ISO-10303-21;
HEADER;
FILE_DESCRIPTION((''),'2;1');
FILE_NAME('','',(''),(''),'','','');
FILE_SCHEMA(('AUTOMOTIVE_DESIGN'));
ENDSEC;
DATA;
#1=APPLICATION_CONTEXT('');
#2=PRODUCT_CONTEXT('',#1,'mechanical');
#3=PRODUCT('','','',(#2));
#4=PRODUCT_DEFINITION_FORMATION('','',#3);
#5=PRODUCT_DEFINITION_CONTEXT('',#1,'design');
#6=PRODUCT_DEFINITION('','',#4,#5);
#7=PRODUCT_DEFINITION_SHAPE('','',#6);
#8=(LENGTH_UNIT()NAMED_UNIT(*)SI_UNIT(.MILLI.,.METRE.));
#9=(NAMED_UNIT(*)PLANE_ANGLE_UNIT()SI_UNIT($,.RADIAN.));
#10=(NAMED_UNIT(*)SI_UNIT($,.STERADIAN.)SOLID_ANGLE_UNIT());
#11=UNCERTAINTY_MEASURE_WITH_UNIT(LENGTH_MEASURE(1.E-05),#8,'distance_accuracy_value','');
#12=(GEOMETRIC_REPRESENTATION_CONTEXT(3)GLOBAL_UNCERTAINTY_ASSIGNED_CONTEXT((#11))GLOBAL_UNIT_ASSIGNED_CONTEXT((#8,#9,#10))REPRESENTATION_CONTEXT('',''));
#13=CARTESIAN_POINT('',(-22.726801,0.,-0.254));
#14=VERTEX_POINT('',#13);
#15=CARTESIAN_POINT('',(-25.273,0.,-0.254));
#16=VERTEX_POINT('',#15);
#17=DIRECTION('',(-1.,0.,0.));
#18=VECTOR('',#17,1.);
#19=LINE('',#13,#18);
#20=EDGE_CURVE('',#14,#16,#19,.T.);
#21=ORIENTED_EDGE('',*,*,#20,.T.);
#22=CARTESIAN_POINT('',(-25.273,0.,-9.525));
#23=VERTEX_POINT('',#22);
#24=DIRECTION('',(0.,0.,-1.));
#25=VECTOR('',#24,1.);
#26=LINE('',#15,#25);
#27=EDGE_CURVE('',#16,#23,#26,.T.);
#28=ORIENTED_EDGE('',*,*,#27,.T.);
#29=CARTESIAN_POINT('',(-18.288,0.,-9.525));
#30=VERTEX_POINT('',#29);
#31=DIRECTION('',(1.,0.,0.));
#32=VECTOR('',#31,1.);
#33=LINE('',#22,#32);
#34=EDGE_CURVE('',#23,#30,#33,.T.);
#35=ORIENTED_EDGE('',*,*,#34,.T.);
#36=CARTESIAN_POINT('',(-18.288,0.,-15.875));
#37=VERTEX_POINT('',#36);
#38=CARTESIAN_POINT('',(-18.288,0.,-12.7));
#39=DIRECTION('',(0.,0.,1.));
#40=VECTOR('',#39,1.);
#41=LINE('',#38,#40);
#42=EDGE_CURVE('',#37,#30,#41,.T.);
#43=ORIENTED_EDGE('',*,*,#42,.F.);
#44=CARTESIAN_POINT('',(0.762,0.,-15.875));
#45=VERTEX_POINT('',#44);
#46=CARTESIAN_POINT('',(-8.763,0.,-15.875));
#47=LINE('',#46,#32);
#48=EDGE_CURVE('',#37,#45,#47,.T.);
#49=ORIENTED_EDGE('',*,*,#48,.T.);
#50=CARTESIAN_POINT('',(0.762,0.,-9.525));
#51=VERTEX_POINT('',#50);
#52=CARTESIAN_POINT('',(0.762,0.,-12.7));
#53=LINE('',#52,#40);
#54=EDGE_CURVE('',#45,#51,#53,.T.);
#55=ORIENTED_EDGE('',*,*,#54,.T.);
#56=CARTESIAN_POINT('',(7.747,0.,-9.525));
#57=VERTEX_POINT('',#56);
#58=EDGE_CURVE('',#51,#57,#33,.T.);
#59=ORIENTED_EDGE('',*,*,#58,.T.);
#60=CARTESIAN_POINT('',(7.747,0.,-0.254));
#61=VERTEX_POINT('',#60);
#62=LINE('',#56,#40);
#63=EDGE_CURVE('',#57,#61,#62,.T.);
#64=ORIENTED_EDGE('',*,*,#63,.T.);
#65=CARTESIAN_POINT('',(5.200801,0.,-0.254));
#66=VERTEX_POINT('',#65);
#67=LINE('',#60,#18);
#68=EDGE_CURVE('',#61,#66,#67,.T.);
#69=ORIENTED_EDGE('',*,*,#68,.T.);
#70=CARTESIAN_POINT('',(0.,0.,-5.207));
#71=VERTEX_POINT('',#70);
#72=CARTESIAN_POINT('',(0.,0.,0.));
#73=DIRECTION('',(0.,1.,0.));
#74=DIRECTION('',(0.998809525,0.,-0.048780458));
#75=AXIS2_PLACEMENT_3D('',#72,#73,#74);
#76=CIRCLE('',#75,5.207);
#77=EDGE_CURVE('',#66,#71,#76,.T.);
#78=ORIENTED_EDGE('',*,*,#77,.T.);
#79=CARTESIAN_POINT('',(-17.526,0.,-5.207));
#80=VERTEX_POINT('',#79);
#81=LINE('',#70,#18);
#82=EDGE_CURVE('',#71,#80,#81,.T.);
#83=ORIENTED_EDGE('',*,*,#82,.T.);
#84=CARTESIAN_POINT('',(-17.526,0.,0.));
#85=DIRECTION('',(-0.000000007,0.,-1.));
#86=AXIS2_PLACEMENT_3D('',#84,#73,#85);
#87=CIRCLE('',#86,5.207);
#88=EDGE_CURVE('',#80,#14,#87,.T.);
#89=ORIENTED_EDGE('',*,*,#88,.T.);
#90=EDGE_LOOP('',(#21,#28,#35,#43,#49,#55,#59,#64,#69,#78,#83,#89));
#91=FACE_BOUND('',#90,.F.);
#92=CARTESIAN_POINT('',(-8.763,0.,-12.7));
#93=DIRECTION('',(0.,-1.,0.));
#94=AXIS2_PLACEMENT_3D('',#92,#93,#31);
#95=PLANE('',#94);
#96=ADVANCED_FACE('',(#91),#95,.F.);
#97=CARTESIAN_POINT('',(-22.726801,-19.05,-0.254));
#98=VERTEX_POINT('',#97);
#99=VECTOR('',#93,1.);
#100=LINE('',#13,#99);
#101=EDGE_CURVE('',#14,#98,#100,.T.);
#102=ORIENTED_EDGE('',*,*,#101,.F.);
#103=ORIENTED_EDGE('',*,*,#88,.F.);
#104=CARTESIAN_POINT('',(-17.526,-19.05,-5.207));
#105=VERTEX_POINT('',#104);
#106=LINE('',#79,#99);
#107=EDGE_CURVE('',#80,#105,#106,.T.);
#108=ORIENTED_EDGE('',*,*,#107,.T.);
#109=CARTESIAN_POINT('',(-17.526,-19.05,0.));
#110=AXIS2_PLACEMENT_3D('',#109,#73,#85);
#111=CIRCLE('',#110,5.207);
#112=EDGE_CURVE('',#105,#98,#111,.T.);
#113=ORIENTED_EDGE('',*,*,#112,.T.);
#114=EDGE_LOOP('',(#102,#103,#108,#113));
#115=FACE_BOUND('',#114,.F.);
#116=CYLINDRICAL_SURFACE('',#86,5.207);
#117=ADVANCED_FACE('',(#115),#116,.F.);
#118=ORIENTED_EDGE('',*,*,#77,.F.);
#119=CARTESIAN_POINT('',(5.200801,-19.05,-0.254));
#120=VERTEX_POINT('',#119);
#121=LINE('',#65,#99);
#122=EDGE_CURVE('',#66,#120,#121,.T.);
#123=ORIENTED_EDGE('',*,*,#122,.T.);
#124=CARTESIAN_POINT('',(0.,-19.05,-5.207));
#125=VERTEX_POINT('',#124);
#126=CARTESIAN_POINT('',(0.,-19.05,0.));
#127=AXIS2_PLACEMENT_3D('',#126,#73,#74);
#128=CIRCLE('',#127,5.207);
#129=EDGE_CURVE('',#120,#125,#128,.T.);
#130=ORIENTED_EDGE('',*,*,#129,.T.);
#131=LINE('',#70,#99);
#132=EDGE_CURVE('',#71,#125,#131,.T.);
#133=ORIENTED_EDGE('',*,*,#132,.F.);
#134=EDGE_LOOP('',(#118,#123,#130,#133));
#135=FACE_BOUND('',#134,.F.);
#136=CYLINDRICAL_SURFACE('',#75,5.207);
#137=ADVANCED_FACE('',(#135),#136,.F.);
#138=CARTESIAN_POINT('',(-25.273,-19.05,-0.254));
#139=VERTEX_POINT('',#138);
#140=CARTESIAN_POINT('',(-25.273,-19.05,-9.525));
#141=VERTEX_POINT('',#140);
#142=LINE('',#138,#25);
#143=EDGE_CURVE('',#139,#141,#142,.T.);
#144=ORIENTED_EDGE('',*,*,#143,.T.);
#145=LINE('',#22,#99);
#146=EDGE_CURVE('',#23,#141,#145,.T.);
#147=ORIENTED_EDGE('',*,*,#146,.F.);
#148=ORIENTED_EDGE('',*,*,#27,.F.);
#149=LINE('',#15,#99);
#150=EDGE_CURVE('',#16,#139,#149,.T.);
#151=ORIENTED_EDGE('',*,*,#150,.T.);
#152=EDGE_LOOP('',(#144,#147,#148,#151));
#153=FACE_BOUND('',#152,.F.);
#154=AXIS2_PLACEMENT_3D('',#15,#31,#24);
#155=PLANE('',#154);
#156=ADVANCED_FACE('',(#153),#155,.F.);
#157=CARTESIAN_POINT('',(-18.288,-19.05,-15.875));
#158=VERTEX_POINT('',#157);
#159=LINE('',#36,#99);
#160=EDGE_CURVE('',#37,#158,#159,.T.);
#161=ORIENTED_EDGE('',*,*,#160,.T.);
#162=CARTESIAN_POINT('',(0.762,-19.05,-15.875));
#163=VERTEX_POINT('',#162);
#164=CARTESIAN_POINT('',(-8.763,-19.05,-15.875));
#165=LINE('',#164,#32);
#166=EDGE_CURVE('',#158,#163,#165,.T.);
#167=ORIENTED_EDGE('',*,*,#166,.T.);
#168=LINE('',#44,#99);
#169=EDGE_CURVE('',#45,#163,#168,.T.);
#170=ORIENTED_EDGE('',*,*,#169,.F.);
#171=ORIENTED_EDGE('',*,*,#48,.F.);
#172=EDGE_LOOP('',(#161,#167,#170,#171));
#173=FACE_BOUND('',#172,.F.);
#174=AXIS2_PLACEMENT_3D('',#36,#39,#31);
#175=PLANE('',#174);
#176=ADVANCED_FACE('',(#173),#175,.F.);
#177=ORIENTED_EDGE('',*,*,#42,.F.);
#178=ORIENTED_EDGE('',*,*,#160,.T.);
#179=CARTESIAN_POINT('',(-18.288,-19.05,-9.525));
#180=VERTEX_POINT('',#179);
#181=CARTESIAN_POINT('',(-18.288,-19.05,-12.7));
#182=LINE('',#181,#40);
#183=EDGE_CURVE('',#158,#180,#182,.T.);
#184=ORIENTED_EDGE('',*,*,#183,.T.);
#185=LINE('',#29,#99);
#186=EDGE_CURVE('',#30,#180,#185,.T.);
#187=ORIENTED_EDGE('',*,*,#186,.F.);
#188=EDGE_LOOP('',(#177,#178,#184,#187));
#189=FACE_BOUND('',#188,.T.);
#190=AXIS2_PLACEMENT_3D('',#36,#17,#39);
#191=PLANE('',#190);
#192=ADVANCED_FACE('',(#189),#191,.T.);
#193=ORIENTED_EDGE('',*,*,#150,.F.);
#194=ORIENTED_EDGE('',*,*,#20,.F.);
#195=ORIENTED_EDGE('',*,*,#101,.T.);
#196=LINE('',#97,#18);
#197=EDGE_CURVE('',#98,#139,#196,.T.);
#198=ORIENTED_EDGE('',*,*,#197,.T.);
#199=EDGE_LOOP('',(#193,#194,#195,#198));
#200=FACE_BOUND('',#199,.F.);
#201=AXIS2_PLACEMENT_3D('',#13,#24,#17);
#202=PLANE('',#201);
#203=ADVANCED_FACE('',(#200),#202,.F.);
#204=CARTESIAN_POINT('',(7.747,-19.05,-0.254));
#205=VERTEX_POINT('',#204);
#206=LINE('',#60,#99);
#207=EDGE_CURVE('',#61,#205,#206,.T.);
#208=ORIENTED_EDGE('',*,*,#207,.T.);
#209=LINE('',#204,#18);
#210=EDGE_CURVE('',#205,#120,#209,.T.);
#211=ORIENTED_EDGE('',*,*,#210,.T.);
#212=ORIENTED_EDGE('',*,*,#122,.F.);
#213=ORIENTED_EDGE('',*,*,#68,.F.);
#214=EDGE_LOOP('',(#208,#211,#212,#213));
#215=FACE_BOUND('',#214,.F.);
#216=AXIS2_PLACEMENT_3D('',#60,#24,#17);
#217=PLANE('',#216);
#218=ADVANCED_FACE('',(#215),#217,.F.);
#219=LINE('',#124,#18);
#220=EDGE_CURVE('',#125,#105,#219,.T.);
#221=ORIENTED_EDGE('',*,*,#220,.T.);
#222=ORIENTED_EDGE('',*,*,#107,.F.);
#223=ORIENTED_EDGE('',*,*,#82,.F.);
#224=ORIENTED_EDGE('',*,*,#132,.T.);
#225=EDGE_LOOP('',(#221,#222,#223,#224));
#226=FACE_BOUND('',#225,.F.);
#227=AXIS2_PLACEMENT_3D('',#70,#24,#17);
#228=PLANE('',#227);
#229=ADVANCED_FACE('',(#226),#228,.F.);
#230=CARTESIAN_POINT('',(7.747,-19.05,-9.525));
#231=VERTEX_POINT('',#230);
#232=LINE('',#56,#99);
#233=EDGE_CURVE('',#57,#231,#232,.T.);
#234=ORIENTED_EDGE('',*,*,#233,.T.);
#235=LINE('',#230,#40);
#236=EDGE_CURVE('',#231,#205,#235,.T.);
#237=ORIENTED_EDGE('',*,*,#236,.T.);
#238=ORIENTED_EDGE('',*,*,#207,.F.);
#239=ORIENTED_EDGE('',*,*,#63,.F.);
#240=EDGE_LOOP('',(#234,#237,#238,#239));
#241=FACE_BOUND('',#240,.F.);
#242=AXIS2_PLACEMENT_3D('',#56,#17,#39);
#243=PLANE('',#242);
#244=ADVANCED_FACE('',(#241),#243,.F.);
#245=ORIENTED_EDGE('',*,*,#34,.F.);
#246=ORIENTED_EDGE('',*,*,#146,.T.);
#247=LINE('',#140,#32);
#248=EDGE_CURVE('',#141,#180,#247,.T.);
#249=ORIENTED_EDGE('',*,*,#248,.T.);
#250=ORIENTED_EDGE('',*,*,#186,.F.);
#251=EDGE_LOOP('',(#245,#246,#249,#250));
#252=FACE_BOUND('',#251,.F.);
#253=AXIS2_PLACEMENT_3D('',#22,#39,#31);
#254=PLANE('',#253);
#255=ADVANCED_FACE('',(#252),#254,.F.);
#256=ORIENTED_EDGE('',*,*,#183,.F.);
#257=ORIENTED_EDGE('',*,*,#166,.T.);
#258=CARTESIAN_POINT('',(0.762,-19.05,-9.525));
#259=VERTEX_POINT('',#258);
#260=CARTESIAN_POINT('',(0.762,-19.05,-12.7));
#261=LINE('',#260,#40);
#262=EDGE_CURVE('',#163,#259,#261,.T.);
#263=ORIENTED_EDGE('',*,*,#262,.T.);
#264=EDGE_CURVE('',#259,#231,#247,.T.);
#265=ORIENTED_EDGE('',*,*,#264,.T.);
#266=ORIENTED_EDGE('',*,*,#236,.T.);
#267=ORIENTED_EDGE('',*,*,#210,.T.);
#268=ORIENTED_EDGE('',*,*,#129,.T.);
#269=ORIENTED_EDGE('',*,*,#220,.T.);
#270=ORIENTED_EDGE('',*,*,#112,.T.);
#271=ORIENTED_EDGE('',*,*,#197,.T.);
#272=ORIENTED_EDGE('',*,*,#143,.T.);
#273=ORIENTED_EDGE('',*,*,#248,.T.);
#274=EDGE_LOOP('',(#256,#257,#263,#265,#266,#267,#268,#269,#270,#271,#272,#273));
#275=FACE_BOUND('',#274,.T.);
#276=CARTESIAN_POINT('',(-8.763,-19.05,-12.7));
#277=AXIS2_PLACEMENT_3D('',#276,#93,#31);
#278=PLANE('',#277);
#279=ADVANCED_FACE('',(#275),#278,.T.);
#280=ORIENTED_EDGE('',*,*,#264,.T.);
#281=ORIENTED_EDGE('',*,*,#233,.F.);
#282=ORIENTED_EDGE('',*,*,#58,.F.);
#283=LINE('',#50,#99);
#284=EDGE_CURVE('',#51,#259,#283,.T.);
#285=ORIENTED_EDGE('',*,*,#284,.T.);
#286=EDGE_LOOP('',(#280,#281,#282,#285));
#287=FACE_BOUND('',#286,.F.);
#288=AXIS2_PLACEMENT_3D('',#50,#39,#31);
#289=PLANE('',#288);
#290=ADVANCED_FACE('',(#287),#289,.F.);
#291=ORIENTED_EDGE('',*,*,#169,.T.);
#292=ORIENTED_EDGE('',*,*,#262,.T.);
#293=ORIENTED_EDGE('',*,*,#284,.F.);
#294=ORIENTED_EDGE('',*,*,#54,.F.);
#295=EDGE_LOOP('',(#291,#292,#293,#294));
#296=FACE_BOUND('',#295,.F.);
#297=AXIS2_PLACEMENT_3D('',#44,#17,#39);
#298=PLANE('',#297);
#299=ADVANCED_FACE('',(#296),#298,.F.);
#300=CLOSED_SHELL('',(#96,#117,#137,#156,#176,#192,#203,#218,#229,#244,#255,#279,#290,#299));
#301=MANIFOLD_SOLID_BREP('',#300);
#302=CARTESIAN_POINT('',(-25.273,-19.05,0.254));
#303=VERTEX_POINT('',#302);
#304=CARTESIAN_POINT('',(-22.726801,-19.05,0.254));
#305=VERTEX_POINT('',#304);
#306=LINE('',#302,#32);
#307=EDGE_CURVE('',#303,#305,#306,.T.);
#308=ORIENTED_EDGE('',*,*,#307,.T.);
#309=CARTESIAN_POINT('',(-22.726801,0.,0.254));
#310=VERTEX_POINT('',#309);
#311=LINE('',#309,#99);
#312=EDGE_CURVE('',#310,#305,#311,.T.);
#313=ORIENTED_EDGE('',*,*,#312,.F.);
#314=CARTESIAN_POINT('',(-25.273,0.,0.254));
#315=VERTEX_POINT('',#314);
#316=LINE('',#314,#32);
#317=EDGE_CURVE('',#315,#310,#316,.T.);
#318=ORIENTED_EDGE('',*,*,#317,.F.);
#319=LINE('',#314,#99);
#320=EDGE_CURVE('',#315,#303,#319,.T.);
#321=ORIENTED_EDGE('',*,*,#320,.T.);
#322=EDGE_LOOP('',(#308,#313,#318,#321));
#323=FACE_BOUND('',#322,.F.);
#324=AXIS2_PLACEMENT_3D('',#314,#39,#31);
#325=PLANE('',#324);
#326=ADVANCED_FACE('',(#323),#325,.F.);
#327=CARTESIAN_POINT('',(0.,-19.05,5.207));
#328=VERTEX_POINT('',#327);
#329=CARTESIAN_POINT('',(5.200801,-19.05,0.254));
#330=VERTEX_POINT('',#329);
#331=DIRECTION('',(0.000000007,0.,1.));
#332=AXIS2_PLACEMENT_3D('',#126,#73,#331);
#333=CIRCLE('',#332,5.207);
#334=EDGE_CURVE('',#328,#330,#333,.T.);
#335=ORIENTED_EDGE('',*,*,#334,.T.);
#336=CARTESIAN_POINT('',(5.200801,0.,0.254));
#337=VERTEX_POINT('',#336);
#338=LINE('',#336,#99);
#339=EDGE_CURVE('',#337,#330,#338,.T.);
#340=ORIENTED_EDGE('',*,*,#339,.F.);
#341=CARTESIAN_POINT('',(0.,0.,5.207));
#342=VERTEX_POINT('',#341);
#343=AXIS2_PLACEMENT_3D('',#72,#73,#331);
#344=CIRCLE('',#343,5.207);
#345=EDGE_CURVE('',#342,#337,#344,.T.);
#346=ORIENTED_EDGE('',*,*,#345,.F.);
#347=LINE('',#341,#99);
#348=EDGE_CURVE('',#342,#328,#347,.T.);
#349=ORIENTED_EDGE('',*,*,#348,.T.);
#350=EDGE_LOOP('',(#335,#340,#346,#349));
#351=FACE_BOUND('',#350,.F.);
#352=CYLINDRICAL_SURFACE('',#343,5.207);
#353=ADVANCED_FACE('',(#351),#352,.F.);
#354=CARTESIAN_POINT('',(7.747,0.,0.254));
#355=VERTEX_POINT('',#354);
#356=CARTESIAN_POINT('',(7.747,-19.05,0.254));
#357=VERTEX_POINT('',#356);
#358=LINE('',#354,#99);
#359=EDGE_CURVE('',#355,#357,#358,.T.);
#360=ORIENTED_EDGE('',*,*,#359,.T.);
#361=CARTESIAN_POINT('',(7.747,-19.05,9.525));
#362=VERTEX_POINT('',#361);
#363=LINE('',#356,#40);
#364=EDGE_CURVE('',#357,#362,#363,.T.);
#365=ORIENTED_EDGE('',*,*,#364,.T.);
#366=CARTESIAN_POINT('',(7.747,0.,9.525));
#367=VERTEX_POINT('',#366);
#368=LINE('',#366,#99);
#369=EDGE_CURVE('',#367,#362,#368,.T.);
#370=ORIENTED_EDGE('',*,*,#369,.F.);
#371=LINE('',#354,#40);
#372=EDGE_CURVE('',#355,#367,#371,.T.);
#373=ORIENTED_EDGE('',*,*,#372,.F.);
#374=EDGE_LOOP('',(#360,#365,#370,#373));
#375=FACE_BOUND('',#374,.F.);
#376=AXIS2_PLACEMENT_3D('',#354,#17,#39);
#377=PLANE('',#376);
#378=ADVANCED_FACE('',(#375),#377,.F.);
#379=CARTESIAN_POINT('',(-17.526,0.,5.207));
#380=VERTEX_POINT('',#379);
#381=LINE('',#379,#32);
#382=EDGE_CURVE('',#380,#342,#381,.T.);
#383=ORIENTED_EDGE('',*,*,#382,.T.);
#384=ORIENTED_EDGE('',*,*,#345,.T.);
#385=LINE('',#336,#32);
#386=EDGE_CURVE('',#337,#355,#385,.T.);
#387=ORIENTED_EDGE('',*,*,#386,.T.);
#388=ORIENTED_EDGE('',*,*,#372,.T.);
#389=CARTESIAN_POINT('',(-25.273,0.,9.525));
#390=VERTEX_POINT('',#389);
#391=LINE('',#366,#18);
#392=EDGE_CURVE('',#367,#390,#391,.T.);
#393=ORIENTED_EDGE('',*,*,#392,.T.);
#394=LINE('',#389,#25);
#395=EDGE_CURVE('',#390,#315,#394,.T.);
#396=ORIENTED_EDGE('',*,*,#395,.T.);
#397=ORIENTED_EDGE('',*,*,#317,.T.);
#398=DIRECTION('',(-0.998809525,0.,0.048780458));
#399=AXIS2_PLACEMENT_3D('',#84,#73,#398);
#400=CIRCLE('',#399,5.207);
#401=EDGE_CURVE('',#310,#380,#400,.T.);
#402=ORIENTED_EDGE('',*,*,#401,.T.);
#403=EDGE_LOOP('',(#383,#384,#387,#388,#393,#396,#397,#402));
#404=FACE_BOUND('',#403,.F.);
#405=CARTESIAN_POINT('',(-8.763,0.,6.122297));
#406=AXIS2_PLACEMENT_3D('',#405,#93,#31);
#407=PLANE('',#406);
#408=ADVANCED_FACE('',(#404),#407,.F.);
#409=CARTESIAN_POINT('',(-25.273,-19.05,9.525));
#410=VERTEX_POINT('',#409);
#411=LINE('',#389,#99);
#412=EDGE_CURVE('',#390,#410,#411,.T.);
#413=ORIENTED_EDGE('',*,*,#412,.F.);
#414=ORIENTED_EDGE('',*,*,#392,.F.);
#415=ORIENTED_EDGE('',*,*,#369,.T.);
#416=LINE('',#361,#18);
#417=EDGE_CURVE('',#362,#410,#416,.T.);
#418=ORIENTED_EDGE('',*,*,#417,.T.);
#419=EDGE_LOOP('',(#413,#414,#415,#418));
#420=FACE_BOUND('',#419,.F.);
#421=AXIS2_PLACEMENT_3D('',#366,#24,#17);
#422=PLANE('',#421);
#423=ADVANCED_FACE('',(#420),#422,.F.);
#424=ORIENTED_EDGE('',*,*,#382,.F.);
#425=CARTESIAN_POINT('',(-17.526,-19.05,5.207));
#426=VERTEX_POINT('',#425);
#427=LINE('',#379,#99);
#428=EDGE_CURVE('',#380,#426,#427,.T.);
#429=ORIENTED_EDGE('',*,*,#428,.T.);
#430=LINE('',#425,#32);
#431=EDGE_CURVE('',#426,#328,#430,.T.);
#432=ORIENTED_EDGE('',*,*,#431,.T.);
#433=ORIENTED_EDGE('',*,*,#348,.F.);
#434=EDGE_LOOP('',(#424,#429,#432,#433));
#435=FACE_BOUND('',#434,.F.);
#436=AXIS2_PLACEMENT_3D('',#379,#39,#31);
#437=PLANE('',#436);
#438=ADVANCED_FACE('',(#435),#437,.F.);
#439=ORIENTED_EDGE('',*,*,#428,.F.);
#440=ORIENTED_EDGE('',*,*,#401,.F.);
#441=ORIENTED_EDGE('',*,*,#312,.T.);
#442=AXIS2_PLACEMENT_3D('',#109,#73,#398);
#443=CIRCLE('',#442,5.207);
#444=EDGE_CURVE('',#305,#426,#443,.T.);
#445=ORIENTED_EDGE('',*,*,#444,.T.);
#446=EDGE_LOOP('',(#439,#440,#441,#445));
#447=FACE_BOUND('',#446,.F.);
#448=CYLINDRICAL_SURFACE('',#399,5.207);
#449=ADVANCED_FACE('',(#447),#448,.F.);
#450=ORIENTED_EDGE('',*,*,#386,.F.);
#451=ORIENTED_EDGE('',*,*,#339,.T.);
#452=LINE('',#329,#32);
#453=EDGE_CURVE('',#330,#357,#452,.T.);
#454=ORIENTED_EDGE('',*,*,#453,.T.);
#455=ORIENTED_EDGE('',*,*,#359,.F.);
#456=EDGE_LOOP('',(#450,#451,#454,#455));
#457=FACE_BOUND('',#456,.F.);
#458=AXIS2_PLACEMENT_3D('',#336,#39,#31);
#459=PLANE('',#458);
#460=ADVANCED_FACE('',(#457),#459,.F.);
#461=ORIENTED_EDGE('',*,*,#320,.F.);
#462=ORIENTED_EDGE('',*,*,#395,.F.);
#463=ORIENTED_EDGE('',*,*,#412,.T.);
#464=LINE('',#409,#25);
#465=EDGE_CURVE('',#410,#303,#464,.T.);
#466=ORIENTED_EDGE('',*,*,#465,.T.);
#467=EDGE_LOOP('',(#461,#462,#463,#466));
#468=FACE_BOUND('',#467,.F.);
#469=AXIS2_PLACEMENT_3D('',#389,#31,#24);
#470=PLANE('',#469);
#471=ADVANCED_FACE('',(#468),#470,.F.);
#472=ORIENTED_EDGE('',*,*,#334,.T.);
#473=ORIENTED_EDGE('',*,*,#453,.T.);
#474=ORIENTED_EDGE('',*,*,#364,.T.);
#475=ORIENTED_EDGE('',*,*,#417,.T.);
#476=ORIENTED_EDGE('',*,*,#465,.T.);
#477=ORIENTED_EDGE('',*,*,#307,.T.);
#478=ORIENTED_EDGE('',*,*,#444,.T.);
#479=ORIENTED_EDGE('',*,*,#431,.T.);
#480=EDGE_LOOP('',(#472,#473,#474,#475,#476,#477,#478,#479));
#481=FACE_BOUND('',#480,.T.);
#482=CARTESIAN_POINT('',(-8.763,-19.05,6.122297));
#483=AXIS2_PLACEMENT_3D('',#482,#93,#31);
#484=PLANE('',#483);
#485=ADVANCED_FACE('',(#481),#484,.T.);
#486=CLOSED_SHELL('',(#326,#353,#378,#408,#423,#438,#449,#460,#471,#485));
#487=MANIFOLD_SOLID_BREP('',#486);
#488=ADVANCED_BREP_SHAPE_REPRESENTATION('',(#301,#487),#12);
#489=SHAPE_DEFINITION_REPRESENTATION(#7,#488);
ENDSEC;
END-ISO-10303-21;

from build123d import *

# Parameters (mm, degrees)
F0_W     = 19.05
F0_H     = 6.35
F1_DEPTH = 19.05


with BuildPart() as f1:
    # F0 (on Front) → F1 (new body)
    with BuildSketch(Plane.XZ):
        with Locations((-8.763, -12.7)):
            Rectangle(F0_W, F0_H)
        with BuildLine():
            Line((0, -5.207), (-17.526, -5.207))
            ThreePointArc((-17.526, -5.207), (-21.11698, -3.770638), (-22.726801, -0.254))
            Line((-22.726801, -0.254), (-25.273, -0.254))
            Line((-25.273, -0.254), (-25.273, -9.525))
            Line((-25.273, -9.525), (-18.288, -9.525))
            Line((-18.288, -9.525), (0.762, -9.525))
            Line((0.762, -9.525), (7.747, -9.525))
            Line((7.747, -9.525), (7.747, -0.254))
            Line((7.747, -0.254), (5.200801, -0.254))
            ThreePointArc((5.200801, -0.254), (3.59098, -3.770638), (0, -5.207))
        make_face()
        with BuildLine():
            ThreePointArc((-22.726801, 0.254), (-21.11698, 3.770638), (-17.526, 5.207))
            Line((-17.526, 5.207), (0, 5.207))
            ThreePointArc((0, 5.207), (3.59098, 3.770638), (5.200801, 0.254))
            Line((5.200801, 0.254), (7.747, 0.254))
            Line((7.747, 0.254), (7.747, 9.525))
            Line((7.747, 9.525), (-25.273, 9.525))
            Line((-25.273, 9.525), (-25.273, 0.254))
            Line((-25.273, 0.254), (-22.726801, 0.254))
        make_face()
    extrude(amount=F1_DEPTH)


solid = f1.part
